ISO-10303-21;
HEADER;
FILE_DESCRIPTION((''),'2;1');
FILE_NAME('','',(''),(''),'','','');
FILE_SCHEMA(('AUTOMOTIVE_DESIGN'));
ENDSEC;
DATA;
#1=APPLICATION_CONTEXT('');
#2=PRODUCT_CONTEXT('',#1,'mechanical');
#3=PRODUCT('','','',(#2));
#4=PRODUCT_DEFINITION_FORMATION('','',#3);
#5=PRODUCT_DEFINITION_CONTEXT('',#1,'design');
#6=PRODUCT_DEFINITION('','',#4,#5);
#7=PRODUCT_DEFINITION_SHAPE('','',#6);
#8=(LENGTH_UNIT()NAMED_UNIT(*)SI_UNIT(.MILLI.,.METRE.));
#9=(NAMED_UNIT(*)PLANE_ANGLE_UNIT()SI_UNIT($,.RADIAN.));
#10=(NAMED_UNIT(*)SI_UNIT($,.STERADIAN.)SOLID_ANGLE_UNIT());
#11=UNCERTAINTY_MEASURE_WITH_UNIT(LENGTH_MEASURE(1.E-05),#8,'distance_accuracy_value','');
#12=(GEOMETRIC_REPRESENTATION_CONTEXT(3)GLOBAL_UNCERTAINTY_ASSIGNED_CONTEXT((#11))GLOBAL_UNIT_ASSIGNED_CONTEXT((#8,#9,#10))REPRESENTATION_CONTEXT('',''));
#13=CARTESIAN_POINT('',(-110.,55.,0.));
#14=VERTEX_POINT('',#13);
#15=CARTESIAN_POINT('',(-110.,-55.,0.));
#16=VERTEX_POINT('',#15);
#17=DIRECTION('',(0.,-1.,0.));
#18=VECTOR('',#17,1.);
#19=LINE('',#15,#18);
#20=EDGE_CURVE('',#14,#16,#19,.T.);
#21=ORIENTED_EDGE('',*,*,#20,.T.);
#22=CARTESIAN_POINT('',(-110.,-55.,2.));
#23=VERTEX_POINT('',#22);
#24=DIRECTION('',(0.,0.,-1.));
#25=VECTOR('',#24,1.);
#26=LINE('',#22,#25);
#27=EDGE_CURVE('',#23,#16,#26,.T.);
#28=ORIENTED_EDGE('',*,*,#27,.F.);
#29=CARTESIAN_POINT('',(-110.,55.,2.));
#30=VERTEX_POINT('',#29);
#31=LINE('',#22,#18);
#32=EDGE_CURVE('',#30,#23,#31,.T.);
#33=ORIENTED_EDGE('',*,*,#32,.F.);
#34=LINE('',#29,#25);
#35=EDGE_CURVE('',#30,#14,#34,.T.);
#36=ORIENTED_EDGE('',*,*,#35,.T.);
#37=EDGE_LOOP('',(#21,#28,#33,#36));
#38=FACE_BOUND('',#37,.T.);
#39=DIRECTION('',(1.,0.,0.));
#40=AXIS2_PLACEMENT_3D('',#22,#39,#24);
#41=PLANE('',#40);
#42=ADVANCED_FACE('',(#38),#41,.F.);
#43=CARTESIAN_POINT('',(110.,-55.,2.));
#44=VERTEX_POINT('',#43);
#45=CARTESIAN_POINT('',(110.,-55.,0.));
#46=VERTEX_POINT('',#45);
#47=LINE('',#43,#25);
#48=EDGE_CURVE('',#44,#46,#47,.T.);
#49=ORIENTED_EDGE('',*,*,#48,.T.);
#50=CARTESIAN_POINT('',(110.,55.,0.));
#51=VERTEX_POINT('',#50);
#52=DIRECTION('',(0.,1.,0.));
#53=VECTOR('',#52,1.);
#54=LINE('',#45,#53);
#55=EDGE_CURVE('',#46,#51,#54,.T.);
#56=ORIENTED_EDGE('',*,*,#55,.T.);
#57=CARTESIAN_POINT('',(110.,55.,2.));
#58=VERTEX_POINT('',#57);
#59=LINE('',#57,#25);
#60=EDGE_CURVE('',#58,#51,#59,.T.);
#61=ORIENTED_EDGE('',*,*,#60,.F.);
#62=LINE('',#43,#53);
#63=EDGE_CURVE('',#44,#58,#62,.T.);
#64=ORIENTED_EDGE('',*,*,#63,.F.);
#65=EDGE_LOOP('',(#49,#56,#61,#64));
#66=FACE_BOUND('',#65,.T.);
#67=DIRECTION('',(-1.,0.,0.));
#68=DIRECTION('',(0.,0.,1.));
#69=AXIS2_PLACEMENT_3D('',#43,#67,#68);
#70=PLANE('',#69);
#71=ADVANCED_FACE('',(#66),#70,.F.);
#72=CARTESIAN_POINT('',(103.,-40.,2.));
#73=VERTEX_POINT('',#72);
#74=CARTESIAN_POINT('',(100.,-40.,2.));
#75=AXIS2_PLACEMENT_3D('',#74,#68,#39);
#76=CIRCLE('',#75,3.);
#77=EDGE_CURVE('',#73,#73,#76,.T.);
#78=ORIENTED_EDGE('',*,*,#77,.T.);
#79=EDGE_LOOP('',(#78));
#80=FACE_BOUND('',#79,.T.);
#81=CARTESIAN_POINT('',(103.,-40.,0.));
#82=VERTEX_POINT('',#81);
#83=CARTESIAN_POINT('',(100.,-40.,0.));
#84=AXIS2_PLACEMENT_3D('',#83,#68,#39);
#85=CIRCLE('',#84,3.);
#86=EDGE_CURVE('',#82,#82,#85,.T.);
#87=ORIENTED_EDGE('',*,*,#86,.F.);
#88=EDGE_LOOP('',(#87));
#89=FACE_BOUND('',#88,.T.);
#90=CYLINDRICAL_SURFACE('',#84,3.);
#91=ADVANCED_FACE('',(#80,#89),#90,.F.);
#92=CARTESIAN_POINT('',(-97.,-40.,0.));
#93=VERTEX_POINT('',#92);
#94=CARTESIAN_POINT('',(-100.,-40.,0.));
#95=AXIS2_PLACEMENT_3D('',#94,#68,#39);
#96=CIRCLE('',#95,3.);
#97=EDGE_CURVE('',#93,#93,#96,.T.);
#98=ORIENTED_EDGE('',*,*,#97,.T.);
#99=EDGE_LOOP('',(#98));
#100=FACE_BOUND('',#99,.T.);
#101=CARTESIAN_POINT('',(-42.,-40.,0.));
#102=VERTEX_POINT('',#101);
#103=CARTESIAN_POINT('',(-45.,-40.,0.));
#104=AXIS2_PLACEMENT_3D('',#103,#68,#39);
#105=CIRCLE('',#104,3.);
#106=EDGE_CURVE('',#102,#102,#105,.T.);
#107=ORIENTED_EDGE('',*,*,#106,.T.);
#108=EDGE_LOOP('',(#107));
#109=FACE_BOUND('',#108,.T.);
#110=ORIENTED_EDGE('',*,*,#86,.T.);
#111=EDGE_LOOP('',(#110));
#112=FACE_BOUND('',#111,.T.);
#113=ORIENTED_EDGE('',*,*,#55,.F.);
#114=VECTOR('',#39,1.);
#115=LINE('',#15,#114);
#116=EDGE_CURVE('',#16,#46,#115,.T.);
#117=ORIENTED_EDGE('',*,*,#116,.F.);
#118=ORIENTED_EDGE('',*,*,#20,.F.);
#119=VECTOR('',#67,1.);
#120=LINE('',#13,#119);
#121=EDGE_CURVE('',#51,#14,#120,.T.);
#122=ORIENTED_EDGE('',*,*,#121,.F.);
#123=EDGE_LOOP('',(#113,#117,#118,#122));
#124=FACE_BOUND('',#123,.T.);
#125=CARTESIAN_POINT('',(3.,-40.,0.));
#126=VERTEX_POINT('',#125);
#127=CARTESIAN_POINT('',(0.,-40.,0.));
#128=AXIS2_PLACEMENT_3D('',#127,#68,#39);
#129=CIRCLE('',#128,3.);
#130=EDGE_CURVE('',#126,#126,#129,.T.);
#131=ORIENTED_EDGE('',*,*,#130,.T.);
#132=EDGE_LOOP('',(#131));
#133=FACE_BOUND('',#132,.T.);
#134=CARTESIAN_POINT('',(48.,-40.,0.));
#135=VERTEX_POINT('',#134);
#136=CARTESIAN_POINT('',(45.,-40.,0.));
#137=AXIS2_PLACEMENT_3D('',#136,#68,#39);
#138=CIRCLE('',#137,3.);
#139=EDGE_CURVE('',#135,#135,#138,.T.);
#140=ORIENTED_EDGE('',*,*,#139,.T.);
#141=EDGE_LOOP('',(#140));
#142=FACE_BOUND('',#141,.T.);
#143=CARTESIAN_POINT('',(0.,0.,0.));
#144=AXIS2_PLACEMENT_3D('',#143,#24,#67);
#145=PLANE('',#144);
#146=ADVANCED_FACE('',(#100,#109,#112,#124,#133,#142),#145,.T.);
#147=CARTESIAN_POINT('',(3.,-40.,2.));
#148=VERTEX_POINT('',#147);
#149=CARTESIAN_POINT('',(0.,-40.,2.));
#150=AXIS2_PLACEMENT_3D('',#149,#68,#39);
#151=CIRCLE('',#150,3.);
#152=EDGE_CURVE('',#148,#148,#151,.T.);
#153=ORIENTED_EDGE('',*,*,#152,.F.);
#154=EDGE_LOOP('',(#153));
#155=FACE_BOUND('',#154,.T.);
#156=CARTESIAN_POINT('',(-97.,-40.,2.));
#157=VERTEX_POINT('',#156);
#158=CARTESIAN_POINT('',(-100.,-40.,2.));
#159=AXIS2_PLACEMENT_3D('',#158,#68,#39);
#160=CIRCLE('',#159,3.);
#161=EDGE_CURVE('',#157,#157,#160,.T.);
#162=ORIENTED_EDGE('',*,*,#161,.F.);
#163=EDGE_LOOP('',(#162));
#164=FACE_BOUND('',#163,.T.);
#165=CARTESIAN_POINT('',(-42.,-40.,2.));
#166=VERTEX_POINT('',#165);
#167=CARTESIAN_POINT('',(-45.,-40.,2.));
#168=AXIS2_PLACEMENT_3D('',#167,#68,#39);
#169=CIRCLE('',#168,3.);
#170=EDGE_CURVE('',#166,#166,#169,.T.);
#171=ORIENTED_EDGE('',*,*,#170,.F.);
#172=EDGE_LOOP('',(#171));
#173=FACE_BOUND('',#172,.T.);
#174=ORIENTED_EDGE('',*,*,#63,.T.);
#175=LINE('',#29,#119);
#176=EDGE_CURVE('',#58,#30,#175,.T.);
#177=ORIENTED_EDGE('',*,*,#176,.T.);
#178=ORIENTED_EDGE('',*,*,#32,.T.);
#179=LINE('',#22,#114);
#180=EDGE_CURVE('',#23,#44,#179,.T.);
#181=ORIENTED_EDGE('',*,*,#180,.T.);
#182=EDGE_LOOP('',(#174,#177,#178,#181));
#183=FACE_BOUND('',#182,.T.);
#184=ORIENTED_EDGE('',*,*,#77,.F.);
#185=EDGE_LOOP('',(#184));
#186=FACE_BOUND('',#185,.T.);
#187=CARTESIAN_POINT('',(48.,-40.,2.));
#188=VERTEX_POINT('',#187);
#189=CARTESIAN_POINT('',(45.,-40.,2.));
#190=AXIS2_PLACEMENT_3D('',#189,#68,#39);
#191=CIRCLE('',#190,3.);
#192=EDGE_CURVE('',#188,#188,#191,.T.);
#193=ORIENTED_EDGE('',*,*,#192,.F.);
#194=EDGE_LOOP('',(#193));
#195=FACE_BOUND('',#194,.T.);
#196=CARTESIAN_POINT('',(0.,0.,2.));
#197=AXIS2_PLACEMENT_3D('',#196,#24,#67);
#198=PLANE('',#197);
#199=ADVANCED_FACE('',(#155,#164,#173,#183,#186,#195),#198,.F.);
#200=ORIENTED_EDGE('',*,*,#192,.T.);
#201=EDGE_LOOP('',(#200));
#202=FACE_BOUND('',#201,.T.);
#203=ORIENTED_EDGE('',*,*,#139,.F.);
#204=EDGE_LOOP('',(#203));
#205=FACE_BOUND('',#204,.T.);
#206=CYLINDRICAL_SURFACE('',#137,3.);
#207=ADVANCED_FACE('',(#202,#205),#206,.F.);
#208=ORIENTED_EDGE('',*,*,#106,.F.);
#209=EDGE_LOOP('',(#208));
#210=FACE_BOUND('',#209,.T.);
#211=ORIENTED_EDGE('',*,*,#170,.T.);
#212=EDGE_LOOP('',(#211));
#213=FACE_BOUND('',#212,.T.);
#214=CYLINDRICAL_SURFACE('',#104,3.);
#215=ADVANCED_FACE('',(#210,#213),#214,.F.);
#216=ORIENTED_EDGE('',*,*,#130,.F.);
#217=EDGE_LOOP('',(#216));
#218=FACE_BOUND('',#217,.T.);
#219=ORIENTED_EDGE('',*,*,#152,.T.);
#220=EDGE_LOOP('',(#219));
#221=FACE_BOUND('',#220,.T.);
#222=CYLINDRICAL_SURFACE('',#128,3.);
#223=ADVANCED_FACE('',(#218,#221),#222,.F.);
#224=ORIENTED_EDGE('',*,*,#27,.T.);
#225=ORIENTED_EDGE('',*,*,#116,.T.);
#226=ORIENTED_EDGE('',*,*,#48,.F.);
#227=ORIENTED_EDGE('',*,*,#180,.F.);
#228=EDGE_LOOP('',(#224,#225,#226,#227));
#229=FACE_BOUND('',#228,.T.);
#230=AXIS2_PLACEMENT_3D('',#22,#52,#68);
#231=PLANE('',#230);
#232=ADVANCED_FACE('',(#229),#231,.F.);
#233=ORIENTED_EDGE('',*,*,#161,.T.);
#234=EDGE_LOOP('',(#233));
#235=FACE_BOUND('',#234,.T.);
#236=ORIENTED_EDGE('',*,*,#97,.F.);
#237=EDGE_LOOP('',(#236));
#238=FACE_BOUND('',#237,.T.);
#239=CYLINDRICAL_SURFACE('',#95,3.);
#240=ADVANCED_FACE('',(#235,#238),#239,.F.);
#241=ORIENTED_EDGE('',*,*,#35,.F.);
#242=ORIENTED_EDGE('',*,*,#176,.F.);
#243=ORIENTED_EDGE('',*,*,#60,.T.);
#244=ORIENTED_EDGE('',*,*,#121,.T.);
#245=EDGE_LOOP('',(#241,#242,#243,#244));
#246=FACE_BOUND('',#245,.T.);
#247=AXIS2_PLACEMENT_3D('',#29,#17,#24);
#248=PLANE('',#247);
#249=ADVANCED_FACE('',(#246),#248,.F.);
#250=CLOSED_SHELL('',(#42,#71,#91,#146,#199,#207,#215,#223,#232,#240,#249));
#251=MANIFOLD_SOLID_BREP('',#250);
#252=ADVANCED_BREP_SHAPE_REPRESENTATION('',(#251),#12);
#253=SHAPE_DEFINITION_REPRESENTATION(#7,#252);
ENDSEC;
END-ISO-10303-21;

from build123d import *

# Parameters (mm, degrees)
SKETCH1_W           = 220
SKETCH1_H           = 110
BOSS_EXTRUDE1_DEPTH = 2
SKETCH2_R           = 3
CUT_EXTRUDE1_DEPTH  = 124


with BuildPart() as part:
    # Sketch1 → Boss-Extrude1 (new body)
    with BuildSketch(Plane.XY):
        Rectangle(SKETCH1_W, SKETCH1_H)
    extrude(amount=BOSS_EXTRUDE1_DEPTH)

    # Sketch2 → Cut-Extrude1 (cut, through all)
    with BuildSketch(Plane.XY.offset(2)):
        with Locations((-100, -40)):
            Circle(SKETCH2_R)
        with Locations((0, -40)):
            Circle(SKETCH2_R)
        with Locations((-45, -40)):
            Circle(SKETCH2_R)
        with Locations((45, -40)):
            Circle(SKETCH2_R)
        with Locations((100, -40)):
            Circle(SKETCH2_R)
    extrude(amount=-CUT_EXTRUDE1_DEPTH, mode=Mode.SUBTRACT)


solid = part.part
